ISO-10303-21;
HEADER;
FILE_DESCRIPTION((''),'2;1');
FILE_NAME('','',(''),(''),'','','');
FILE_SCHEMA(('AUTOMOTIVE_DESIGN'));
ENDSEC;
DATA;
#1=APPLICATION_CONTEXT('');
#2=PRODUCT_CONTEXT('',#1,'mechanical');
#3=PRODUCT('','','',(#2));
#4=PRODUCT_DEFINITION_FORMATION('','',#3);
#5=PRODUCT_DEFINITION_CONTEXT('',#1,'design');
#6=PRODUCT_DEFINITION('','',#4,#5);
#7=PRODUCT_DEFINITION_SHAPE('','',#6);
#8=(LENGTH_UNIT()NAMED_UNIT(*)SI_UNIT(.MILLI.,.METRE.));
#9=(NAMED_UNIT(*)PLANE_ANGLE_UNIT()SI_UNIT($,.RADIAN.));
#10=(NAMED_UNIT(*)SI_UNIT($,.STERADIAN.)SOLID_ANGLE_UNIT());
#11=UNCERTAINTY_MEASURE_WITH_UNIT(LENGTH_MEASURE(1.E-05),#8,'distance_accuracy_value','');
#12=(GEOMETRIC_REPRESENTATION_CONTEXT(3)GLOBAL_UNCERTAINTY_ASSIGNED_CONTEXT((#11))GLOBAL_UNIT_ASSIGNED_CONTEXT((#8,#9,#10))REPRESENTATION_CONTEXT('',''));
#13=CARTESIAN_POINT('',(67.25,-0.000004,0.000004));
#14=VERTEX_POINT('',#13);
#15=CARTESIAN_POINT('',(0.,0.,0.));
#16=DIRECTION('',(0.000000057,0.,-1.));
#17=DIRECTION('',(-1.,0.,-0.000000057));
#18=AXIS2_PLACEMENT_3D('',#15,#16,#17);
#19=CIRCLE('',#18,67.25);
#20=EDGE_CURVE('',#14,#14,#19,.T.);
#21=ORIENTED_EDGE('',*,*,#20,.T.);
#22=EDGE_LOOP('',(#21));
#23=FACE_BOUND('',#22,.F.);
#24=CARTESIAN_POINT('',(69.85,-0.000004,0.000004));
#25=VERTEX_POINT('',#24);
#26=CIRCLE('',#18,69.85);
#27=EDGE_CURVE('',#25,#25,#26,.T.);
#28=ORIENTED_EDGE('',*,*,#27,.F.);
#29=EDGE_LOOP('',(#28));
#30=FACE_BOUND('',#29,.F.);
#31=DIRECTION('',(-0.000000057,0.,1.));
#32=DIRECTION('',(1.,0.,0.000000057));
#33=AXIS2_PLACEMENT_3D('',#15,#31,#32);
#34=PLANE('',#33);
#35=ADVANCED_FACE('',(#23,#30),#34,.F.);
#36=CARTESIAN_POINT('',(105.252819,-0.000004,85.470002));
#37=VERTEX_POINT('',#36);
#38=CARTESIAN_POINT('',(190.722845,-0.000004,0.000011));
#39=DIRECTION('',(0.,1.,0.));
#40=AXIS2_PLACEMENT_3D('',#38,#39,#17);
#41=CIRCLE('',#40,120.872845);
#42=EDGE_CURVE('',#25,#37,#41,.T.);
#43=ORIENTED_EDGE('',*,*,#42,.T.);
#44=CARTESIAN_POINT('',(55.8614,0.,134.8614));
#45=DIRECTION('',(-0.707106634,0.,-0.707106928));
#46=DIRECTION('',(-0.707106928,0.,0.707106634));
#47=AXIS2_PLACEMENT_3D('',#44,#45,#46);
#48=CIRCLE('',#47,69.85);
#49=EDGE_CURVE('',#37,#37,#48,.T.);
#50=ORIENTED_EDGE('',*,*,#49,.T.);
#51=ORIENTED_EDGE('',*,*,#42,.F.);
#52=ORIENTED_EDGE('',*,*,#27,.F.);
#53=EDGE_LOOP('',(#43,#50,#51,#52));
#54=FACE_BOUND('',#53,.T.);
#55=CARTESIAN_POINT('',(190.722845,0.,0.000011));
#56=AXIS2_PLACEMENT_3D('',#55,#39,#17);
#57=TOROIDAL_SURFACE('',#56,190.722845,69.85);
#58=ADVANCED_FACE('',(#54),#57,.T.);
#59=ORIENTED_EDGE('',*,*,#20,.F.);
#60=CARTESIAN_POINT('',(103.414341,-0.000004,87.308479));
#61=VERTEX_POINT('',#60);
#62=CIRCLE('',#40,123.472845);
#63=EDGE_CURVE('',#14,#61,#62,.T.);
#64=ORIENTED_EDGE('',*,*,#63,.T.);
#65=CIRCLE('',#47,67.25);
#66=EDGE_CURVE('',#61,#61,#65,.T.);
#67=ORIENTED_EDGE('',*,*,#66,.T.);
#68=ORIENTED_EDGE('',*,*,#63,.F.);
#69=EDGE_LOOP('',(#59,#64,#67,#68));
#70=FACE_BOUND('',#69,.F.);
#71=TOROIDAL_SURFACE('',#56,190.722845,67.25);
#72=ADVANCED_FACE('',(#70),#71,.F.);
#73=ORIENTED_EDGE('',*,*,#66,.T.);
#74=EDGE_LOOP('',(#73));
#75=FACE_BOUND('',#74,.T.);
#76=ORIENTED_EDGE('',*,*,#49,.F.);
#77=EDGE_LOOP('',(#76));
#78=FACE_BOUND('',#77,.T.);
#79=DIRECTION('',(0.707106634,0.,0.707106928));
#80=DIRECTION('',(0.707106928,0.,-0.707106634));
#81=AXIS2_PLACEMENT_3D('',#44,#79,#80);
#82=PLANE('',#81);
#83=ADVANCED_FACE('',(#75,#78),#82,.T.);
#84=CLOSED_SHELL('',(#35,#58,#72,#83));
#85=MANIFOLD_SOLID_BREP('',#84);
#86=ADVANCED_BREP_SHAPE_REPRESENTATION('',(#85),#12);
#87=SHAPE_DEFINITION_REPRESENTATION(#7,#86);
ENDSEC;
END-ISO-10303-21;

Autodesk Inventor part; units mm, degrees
ref_plane "YZ Plane" through (0, 0, 0) normal (1, 0, 0) x (0, 1, 0)
ref_plane "XZ Plane" through (0, 0, 0) normal (0, 1, 0) x (-1, 0, 0)
ref_plane "XY Plane" through (0, 0, 0) normal (0, 0, 1) x (1, 0, 0)
sketch "Sketch1" plane through (0, 0, 0) normal (0, 0, 1) x (1, 0, 0)
  circle A0 centre (0, 0) radius 67.25
  circle A1 centre (0, 0) radius 69.85
  dimension "d0" = 134.5
  dimension "d1" = 139.7
sketch "Sketch2" plane through (0, 0, 0) normal (0, 1, 0) x (-1, 0, 0)
  line L0 (0, 0) -> (0, 79) construction
  line L1 (0, 79) -> (-55.8614, 134.8614) construction
  arc A0 (0, 0) -> (-55.8614, 134.8614) centre (-190.7229, 0) ccw
  dimension "d2" = 79
  dimension "d3" = 45
  dimension "d4" = 79
sweep "Sweep1" add profiles "Sketch1" path "Sketch2"
equation "\"d0\" = -2 * s1 + da"
equation "\"d1\" = da"
equation "\"d2\" = e"
equation "\"d4\" = e"
equation "\"da\" = 139.7"
equation "\"e\" = 79"
equation "\"s1\" = 2.6"
equation "\"Size_Designation\" = 1.2345"
properties part number "DIN 2605 45 Deg Elbow Type 3 139.7 - 2.6S" material "Steel"
